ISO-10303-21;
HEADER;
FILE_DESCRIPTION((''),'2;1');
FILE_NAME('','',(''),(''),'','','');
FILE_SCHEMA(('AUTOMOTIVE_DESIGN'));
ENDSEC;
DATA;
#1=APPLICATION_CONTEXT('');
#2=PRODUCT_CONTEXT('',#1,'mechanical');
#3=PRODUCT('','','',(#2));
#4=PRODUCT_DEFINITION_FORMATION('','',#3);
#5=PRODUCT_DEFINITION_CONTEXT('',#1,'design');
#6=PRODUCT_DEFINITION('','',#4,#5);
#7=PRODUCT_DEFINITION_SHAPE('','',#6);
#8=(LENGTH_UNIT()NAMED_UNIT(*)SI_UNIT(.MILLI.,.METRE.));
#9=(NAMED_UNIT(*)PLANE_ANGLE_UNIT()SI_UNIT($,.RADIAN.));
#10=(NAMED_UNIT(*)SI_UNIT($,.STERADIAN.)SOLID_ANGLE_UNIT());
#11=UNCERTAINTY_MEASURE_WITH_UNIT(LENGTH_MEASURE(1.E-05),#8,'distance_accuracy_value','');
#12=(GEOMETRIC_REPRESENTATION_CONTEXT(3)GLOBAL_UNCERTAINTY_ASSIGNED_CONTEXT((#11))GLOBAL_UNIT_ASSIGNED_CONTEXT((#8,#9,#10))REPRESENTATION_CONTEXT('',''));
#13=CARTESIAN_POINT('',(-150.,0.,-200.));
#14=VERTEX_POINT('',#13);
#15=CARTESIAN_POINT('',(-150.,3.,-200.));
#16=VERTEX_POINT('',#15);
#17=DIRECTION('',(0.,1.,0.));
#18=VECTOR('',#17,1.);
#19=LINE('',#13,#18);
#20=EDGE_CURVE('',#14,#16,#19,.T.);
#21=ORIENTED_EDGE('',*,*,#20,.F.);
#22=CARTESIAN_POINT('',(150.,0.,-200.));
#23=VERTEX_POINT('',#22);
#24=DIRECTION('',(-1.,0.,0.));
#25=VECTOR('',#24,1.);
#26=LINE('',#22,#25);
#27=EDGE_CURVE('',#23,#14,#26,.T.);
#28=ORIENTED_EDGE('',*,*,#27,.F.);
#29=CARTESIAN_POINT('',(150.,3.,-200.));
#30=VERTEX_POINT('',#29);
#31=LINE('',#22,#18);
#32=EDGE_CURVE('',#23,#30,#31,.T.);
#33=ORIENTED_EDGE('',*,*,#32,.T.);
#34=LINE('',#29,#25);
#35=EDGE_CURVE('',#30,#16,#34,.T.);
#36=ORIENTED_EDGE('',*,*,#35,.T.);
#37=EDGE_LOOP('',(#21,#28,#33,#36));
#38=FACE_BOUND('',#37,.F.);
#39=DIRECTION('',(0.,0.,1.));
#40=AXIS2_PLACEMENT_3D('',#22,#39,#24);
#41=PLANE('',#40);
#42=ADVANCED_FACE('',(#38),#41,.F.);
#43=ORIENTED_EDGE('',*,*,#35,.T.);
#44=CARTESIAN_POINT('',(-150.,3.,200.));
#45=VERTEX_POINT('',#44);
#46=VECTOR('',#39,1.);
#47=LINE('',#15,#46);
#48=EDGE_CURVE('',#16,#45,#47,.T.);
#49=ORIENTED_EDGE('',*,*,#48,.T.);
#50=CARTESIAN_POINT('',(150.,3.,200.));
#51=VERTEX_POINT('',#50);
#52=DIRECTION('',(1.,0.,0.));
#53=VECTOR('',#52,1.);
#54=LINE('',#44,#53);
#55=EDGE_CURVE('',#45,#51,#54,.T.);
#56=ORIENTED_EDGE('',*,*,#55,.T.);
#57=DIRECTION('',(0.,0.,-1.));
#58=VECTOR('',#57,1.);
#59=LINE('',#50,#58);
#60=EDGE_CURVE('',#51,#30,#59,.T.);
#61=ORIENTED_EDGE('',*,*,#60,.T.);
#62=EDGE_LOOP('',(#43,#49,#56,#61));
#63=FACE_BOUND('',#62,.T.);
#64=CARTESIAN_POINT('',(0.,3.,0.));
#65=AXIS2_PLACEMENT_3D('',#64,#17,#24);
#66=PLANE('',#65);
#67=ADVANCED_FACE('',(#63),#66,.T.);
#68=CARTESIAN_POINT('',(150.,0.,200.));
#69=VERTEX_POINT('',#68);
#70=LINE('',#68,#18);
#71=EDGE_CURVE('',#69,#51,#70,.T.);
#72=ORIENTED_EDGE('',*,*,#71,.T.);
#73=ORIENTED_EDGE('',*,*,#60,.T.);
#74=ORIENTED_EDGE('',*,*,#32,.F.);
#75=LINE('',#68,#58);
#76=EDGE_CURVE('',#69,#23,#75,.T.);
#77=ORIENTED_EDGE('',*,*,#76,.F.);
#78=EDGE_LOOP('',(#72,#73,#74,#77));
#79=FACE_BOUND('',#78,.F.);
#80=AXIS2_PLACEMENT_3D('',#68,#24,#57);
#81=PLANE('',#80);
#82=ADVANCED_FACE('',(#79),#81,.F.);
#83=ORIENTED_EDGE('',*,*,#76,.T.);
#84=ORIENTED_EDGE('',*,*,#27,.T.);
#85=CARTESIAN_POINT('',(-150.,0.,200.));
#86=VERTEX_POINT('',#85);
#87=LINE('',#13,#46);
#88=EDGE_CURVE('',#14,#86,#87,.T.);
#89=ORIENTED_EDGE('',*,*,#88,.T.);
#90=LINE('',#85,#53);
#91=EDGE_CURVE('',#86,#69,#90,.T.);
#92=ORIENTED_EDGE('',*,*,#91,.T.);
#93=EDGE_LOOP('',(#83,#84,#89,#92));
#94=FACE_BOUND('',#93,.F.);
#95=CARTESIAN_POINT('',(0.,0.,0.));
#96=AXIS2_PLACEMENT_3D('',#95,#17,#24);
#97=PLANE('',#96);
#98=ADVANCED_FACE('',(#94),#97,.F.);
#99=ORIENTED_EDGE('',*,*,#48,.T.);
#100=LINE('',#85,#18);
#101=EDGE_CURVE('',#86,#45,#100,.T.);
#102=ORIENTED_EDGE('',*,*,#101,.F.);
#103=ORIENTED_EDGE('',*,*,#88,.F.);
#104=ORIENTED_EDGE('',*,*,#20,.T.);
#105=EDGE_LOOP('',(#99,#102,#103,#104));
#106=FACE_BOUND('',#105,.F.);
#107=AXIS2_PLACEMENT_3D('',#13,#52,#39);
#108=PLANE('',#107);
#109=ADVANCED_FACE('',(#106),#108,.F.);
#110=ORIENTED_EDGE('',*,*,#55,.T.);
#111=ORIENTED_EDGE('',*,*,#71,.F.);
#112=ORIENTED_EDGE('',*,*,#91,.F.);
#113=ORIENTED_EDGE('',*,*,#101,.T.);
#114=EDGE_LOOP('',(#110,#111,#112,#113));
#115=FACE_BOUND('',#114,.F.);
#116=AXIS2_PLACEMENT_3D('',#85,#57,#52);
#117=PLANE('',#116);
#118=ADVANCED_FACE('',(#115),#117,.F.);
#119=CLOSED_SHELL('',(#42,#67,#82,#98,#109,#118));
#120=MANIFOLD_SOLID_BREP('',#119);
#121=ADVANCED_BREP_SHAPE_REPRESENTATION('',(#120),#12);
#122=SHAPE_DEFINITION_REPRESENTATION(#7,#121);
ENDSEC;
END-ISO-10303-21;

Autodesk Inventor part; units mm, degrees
ref_plane "YZ Plane" through (0, 0, 0) normal (1, 0, 0) x (0, 1, 0)
ref_plane "XZ Plane" through (0, 0, 0) normal (0, 1, 0) x (-1, 0, 0)
ref_plane "XY Plane" through (0, 0, 0) normal (0, 0, 1) x (1, 0, 0)
sketch "Sketch1" plane through (0, 0, 0) normal (0, 1, 0) x (-1, 0, 0)
  line L0 (150, 200) -> (-150, 200)
  line L1 (-150, 200) -> (-150, -200)
  line L2 (-150, -200) -> (150, -200)
  line L3 (150, -200) -> (150, 200)
  point P0 (0, 0)
  dimension "d0" = 400
  dimension "d1" = 300
  dimension "d2" = 200
  dimension "d3" = 150
extrude "Extrusion1" add sketch "Sketch1" along normal blind 3
equation "\"d2\" = 0.5 * d0"
equation "\"d3\" = 0.5 * d1"
properties part number "AMR_Base"
